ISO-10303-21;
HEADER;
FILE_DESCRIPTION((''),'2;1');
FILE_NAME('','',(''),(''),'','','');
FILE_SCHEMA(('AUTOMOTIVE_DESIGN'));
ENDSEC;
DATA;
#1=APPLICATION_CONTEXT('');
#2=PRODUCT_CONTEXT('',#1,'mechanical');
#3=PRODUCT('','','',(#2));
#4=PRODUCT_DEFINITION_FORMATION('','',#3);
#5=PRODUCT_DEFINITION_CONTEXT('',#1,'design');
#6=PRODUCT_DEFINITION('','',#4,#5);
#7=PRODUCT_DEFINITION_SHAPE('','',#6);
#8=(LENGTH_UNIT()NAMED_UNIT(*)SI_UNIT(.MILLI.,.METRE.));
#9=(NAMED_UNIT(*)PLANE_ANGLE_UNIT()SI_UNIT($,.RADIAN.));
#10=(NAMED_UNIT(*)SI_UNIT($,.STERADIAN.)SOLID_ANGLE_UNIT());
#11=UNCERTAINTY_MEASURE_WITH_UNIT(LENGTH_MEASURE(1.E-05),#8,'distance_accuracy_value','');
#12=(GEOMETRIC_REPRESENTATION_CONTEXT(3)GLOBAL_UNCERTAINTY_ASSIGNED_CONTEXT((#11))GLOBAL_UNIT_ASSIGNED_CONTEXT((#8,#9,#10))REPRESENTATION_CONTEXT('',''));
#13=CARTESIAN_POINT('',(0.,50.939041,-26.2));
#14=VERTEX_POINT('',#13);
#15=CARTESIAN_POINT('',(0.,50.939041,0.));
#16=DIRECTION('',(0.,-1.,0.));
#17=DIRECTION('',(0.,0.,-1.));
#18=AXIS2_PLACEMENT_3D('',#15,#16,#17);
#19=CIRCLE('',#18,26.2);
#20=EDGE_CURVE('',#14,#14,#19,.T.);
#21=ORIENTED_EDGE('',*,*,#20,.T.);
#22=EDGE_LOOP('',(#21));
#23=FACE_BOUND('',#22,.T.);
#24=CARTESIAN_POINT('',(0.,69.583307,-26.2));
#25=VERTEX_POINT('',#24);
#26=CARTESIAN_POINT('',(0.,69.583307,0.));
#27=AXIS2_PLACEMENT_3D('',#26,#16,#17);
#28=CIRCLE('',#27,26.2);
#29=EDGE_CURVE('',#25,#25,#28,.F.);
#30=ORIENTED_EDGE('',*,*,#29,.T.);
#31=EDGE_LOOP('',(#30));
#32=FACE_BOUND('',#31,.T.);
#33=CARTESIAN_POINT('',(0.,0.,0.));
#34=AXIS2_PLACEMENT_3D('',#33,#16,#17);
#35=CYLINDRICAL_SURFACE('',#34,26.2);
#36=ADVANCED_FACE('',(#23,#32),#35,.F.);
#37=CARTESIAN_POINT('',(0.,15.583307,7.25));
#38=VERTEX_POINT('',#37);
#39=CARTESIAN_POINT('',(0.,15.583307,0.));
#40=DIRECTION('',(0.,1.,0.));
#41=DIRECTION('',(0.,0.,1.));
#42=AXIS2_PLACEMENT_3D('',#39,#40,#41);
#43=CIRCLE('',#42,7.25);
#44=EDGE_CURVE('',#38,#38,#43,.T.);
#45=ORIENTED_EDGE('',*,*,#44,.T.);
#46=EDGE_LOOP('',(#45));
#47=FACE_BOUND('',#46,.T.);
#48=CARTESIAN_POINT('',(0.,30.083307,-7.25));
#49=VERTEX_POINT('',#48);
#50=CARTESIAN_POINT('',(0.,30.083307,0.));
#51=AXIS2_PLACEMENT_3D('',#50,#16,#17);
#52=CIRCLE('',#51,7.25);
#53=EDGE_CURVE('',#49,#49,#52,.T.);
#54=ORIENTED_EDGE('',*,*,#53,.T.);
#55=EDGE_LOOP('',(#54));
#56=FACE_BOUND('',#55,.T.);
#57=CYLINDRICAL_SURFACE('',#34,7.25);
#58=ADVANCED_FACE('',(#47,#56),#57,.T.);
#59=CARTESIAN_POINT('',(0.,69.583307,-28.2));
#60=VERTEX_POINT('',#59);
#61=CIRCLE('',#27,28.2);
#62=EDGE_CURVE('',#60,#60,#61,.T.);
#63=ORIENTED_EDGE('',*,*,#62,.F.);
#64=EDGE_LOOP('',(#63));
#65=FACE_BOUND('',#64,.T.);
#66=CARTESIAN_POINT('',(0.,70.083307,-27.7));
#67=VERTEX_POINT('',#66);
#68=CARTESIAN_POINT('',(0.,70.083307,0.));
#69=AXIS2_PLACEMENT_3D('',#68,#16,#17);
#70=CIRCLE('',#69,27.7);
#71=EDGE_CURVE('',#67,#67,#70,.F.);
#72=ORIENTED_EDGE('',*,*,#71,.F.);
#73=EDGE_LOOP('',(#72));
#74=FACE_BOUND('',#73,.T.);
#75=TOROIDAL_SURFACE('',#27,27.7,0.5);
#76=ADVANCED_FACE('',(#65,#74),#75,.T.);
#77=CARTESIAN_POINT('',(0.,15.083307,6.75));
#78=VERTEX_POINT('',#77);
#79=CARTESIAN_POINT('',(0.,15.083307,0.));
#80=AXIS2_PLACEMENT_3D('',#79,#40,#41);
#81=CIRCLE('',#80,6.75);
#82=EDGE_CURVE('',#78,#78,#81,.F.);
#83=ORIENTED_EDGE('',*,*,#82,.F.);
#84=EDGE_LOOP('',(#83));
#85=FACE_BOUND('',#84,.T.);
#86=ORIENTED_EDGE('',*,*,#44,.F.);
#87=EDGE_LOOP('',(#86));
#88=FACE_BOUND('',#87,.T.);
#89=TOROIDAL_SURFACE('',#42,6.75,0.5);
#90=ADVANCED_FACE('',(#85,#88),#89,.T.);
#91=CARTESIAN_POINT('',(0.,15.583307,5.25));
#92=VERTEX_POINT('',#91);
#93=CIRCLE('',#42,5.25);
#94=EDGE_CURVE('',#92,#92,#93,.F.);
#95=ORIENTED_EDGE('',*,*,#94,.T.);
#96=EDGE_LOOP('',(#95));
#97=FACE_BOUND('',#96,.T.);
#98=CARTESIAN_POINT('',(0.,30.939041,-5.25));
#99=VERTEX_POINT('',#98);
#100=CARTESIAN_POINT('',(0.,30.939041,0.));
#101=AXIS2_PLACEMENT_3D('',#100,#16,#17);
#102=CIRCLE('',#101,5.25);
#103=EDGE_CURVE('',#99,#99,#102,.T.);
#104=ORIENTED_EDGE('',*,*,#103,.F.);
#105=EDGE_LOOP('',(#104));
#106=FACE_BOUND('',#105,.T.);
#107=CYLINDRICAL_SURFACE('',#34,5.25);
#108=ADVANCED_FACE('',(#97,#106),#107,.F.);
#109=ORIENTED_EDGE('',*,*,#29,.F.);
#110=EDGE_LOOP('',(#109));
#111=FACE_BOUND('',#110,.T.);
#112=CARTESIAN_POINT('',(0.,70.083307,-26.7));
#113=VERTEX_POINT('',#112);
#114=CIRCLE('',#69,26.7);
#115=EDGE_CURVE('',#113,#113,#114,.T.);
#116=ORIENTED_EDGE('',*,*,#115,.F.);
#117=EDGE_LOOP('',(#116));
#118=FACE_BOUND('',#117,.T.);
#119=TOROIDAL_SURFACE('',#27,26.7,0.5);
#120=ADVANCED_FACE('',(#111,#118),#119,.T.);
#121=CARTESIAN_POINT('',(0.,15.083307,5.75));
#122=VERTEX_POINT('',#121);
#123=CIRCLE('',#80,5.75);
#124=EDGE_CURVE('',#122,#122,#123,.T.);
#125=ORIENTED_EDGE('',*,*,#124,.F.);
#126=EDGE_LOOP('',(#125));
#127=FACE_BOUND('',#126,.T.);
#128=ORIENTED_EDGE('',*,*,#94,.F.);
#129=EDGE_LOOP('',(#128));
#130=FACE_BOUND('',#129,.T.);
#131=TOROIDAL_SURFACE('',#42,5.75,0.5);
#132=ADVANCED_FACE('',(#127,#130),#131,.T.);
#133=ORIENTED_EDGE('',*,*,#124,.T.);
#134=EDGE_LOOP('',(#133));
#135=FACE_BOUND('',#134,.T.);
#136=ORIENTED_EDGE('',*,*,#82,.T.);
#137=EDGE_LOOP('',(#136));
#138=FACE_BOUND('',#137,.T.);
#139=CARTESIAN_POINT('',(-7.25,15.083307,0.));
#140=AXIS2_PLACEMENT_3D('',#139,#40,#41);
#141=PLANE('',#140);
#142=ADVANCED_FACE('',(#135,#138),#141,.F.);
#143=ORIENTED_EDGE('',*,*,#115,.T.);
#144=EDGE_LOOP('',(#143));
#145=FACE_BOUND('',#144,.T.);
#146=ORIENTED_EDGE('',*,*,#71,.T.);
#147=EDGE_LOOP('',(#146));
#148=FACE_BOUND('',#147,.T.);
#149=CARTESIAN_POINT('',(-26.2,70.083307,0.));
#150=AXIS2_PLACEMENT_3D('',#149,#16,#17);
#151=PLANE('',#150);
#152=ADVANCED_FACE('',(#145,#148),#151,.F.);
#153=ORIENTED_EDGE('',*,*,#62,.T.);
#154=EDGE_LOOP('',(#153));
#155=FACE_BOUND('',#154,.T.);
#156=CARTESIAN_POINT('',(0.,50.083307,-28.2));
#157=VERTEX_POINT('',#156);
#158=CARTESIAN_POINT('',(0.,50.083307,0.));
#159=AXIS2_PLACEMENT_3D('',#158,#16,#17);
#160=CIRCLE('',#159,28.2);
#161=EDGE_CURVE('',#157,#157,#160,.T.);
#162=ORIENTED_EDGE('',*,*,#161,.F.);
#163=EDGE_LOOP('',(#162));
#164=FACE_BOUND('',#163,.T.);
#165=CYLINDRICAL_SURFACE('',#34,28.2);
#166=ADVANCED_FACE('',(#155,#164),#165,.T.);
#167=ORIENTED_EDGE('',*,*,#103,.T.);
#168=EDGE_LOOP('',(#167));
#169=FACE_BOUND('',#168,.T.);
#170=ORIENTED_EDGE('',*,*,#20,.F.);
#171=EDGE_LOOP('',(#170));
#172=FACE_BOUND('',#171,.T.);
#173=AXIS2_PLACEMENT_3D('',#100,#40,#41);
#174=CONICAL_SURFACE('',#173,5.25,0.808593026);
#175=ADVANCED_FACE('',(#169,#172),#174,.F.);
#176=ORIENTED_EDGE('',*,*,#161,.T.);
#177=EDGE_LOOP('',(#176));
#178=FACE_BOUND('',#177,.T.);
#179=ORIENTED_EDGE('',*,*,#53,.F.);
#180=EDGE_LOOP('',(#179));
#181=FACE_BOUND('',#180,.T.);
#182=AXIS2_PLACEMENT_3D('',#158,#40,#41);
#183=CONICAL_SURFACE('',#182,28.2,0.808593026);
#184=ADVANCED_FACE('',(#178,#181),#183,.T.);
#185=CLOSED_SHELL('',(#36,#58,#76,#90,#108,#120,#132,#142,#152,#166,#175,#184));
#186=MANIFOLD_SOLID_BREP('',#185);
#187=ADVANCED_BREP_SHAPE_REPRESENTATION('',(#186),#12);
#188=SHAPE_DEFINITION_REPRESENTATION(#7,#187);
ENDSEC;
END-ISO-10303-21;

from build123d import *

# Parameters (mm, degrees)
FILLET1_R = 0.5


with BuildPart() as part:
    # Sketch1 → Revolve1 (revolve)
    with BuildSketch(Plane.XY):
        Polygon((-5.25, 15.08330694), (-5.25, 30.939040938), (-26.2, 50.939040938), (-26.2, 70.08330694), (-28.2, 70.08330694), (-28.2, 50.08330694), (-7.25, 30.08330694), (-7.25, 15.08330694), align=None)
    revolve(axis=Axis((0, 0, 0), (0, 1, 0)))

    # Fillet1
    fillet1_edges = [part.edges().sort_by_distance(p)[0] for p in [
        (7.25, 15.08330694, 0),
        (28.2, 70.08330694, 0),
        (26.2, 70.08330694, 0),
        (5.25, 15.08330694, 0),
    ]]
    fillet(fillet1_edges, radius=FILLET1_R)


solid = part.part
